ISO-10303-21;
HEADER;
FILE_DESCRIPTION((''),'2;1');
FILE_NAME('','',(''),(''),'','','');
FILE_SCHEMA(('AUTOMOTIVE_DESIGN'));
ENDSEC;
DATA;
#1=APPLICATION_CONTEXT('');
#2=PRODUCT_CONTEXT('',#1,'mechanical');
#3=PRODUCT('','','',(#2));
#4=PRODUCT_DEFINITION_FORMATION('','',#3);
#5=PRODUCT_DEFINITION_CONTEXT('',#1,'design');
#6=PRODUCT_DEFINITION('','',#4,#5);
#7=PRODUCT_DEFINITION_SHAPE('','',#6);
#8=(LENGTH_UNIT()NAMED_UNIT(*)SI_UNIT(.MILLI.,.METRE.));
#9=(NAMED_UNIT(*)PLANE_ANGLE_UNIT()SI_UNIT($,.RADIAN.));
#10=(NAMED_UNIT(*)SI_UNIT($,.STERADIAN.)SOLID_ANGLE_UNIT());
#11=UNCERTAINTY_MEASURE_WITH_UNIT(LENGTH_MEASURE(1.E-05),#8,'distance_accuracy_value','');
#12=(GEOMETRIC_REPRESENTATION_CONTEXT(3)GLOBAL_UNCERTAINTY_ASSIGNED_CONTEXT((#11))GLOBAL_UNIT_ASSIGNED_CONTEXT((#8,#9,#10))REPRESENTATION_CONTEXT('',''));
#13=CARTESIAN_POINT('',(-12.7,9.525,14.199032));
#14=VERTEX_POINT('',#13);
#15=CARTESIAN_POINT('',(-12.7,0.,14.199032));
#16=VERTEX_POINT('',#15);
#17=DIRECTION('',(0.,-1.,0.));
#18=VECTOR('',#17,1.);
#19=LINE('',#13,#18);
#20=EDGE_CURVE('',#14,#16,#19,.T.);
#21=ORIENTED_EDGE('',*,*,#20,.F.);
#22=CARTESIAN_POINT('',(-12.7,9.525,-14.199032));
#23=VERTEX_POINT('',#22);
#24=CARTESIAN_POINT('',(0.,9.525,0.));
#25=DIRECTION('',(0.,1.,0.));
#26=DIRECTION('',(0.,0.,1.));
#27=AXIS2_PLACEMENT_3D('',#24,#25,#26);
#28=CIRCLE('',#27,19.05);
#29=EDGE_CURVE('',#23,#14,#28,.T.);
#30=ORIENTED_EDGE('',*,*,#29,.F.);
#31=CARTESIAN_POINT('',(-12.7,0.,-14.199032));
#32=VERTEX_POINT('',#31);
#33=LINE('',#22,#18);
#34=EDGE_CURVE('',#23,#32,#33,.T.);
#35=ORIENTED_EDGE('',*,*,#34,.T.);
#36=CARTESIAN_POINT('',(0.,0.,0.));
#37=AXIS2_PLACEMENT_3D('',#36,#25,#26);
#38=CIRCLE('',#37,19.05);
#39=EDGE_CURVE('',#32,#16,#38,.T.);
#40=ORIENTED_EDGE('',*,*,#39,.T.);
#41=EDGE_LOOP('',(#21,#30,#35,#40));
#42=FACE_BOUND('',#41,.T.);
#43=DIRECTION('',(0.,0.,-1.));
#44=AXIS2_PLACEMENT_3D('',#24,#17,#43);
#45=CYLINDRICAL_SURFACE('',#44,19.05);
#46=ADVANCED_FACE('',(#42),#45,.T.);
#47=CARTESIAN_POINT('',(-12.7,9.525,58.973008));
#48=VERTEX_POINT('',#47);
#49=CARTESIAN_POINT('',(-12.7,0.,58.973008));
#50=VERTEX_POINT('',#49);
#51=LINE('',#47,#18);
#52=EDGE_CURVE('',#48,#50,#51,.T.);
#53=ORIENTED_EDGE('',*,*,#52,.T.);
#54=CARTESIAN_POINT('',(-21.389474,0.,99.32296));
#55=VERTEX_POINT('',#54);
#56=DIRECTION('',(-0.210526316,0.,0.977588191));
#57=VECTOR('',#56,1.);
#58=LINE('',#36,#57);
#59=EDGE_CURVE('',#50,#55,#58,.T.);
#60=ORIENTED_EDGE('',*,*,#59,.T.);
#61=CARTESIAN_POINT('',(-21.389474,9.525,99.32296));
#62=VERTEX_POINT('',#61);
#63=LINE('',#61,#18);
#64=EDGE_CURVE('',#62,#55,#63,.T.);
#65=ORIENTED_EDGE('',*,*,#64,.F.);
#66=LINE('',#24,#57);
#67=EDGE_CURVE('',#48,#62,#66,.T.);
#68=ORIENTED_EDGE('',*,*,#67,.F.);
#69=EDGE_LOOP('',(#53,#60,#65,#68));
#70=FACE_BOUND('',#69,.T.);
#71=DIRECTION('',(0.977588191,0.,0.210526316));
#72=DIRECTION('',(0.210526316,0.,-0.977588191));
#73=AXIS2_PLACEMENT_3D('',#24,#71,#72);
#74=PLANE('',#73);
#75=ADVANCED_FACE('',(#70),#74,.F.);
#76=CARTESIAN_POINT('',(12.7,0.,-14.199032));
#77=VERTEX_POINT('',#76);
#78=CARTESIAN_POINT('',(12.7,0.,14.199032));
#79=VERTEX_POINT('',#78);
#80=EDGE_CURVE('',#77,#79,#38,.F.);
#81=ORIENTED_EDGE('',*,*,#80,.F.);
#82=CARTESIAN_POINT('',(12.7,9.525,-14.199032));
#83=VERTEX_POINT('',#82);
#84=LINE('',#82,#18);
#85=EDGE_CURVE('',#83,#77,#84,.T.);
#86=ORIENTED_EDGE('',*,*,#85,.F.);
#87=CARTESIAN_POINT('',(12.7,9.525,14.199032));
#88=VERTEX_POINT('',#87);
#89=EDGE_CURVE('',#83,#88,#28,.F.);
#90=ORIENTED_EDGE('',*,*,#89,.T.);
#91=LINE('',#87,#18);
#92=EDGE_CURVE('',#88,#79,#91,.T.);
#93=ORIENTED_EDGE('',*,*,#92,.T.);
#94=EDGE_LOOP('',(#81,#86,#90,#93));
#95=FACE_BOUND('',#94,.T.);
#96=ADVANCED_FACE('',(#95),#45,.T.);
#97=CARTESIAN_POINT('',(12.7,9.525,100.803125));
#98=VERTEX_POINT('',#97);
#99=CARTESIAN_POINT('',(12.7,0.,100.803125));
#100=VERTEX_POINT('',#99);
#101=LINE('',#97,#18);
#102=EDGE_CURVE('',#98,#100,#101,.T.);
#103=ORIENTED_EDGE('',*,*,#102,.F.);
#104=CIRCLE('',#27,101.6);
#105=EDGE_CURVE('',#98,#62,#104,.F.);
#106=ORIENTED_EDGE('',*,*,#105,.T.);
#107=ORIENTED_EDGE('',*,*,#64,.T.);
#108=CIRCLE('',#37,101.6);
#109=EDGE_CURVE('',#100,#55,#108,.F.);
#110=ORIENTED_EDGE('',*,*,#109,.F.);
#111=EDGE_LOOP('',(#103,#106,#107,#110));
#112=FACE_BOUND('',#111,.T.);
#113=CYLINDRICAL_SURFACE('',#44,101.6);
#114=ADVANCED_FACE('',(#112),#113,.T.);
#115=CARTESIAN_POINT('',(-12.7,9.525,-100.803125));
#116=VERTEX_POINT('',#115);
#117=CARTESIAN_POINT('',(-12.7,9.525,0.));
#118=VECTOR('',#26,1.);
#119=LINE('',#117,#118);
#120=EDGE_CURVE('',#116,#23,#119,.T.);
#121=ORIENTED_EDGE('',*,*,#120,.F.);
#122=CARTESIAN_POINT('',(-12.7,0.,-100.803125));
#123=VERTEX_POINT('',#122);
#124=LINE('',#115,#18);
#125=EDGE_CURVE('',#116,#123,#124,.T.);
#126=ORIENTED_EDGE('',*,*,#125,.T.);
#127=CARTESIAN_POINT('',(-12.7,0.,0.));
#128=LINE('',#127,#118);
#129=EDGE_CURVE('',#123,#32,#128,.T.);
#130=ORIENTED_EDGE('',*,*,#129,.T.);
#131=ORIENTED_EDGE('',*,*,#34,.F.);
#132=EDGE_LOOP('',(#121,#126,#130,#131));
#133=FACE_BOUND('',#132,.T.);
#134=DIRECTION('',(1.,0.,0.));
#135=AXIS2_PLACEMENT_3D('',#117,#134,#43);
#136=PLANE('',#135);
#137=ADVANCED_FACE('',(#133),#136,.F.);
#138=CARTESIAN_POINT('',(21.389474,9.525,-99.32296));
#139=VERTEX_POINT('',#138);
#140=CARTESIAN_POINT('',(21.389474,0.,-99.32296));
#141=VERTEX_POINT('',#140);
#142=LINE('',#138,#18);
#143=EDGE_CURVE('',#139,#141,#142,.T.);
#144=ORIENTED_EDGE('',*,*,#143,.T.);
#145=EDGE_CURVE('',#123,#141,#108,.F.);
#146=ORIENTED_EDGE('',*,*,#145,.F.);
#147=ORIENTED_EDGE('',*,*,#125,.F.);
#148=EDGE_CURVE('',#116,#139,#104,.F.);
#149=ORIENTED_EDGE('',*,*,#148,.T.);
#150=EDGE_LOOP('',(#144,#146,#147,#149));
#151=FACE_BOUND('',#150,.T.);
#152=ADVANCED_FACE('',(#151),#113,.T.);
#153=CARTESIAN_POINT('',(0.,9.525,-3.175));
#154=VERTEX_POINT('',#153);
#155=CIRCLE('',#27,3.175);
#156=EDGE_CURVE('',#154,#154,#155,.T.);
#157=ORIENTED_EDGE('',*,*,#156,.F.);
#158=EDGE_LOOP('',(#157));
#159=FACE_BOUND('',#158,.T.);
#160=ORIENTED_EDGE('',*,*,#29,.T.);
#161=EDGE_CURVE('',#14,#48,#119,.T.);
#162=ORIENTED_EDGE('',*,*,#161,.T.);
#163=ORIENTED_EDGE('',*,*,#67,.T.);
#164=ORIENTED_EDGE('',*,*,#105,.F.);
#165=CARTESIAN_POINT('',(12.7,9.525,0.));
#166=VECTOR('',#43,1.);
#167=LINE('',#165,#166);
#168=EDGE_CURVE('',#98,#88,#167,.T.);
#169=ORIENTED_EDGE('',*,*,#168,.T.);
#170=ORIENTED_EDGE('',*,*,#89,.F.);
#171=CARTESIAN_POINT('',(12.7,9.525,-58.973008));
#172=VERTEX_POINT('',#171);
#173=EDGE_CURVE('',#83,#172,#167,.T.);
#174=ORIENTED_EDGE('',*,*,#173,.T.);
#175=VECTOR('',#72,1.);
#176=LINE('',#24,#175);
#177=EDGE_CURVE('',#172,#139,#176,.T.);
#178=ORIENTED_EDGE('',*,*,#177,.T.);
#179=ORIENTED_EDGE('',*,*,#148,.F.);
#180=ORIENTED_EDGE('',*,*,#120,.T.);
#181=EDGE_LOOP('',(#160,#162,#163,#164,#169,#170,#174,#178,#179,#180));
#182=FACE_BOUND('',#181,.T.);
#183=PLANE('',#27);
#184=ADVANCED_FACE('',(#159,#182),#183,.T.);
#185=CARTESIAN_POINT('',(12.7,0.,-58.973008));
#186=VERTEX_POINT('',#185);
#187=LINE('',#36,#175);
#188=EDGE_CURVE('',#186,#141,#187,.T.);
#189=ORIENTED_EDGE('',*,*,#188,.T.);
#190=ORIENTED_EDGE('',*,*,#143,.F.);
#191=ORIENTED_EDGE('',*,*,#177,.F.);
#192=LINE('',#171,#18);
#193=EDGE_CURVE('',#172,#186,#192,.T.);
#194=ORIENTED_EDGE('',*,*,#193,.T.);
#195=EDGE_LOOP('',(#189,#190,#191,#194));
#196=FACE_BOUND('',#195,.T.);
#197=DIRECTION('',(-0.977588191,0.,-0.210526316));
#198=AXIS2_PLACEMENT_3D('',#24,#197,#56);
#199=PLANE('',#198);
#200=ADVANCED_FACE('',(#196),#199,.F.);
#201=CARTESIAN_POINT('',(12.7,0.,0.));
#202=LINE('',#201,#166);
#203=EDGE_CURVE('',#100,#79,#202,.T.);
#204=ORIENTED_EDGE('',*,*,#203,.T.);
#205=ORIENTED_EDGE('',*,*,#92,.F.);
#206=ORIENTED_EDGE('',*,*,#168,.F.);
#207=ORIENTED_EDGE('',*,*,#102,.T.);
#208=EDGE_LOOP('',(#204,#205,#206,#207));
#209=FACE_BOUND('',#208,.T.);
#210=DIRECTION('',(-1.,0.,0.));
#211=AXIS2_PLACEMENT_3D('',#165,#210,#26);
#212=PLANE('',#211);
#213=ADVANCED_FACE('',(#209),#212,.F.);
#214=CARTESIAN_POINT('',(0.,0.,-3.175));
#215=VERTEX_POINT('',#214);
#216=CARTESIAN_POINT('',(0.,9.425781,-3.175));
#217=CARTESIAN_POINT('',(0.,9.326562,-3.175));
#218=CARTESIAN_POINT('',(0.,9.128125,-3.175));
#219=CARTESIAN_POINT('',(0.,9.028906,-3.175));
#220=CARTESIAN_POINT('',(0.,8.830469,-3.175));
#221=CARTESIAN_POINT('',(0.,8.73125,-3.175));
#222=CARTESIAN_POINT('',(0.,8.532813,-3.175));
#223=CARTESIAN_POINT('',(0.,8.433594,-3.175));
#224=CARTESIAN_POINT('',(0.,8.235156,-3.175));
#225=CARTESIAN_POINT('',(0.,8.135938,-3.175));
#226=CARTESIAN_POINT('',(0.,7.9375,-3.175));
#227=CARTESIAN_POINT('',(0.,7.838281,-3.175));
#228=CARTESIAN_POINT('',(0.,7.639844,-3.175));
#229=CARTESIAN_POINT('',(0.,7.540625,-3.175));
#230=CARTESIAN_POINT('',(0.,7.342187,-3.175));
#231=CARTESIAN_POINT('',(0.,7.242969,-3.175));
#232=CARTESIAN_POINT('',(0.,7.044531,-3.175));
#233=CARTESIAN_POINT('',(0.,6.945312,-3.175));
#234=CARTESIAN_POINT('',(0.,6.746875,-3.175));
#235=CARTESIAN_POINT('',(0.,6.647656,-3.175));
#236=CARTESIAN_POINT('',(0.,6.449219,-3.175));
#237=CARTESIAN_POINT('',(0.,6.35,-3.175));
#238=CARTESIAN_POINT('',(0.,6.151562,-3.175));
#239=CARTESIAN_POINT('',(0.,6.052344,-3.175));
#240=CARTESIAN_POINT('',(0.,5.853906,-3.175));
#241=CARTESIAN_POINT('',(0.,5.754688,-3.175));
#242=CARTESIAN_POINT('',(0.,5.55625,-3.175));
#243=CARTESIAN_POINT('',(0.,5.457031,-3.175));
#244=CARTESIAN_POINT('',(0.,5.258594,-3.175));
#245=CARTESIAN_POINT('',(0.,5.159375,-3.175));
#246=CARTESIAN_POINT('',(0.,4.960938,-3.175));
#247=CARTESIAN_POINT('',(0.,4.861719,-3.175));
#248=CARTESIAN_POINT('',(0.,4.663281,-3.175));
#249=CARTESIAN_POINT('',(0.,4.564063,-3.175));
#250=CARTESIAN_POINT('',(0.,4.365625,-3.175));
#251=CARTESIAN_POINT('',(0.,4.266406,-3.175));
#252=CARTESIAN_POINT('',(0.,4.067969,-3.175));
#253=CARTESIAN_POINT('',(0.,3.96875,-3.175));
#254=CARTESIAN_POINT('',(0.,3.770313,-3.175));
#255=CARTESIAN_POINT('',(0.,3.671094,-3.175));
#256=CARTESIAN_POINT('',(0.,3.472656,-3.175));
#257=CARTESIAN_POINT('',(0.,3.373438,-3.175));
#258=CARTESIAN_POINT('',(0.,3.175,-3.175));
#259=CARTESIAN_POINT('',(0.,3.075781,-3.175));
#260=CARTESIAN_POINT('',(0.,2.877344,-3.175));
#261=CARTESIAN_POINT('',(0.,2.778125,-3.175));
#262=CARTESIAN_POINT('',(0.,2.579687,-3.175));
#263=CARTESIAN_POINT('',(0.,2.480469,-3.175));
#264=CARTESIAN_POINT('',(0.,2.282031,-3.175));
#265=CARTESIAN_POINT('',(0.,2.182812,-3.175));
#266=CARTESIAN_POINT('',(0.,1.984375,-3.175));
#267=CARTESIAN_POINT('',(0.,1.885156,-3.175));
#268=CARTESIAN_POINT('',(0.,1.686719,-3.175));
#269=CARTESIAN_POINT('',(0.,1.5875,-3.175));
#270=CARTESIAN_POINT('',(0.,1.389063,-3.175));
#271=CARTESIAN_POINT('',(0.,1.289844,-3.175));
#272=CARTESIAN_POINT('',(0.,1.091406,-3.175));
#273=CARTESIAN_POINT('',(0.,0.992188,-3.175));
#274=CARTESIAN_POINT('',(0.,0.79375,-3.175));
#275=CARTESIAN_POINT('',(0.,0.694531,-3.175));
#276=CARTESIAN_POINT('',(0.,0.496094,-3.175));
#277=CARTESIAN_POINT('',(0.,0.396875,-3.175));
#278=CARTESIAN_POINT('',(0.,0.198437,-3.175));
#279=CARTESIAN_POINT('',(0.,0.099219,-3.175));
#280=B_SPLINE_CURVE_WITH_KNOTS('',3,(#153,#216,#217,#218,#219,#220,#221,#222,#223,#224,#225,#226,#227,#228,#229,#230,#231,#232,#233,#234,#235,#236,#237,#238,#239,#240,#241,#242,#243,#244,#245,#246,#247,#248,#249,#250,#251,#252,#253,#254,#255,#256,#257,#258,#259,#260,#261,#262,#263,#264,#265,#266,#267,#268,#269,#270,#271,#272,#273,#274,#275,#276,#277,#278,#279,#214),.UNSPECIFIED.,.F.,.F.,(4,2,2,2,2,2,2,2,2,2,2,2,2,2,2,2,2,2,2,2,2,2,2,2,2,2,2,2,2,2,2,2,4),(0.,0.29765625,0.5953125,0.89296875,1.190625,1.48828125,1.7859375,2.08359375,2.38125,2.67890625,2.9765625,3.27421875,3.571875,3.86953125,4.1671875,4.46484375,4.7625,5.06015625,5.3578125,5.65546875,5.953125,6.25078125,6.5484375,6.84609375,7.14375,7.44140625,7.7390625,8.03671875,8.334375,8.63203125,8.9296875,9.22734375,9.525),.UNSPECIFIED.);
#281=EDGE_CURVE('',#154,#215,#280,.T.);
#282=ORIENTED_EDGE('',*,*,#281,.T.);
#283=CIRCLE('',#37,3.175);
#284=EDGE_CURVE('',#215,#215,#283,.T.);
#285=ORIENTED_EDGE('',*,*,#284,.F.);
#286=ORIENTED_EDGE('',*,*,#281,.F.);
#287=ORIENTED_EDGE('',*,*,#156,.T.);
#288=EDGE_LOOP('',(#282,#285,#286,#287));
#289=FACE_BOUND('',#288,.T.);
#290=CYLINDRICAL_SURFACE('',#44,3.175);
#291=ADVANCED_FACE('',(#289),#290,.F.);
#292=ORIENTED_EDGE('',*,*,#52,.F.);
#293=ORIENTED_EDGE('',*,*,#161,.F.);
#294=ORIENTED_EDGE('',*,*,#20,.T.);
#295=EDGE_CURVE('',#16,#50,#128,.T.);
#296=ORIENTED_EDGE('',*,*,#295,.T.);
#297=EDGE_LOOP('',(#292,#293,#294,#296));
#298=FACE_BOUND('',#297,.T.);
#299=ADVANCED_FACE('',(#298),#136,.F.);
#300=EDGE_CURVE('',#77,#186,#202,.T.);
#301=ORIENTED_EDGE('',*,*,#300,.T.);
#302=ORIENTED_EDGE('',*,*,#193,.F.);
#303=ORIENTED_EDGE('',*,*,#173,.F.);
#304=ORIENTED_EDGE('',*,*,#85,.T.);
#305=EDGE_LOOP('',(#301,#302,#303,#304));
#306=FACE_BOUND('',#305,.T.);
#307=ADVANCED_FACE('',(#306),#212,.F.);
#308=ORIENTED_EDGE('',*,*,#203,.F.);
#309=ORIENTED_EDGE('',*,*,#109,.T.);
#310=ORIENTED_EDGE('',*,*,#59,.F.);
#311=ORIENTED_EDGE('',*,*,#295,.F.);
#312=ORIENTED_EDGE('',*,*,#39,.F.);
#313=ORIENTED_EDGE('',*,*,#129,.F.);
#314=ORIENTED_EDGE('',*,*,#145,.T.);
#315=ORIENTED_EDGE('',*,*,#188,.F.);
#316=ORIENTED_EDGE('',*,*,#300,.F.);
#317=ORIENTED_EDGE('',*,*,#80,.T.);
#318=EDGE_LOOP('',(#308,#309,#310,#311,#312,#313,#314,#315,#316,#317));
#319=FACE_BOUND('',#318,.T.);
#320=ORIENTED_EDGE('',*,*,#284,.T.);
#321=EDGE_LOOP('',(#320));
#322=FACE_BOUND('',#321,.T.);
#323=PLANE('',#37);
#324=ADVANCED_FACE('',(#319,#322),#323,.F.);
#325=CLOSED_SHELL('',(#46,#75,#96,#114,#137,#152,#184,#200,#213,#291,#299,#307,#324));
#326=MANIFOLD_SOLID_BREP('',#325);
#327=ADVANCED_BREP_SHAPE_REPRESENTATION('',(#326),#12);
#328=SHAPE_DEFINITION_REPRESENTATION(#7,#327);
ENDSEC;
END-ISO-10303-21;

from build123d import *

# Parameters (mm, degrees)
SKETCH1_R           = 3.175
BOSS_EXTRUDE1_DEPTH = 9.525


with BuildPart() as part:
    # Sketch1 → Boss-Extrude1 (new body)
    with BuildSketch(Plane(origin=(0, 0, 0), x_dir=(1, 0, 0), z_dir=(0, 1, 0))):
        with BuildLine():
            ThreePointArc((12.7, 14.199031657), (19.05, 0), (12.7, -14.199031657))
            Line((12.7, -14.199031657), (12.7, -100.803124952))
            ThreePointArc((12.7, -100.803124952), (-4.407318933, -101.504362171), (-21.389473684, -99.322960163))
            Line((-21.389473684, -99.322960163), (-12.7, -58.973007597))
            Line((-12.7, -58.973007597), (-12.7, -14.199031657))
            ThreePointArc((-12.7, -14.199031657), (-19.05, 0), (-12.7, 14.199031657))
            Line((-12.7, 14.199031657), (-12.7, 100.803124952))
            ThreePointArc((-12.7, 100.803124952), (4.407318933, 101.504362171), (21.389473684, 99.322960163))
            Line((21.389473684, 99.322960163), (12.7, 58.973007597))
            Line((12.7, 58.973007597), (12.7, 14.199031657))
        make_face()
        with Locations(Location((0, 0, 0), (0, 0, 90))):
            Circle(SKETCH1_R, mode=Mode.SUBTRACT)
    extrude(amount=BOSS_EXTRUDE1_DEPTH)


solid = part.part
